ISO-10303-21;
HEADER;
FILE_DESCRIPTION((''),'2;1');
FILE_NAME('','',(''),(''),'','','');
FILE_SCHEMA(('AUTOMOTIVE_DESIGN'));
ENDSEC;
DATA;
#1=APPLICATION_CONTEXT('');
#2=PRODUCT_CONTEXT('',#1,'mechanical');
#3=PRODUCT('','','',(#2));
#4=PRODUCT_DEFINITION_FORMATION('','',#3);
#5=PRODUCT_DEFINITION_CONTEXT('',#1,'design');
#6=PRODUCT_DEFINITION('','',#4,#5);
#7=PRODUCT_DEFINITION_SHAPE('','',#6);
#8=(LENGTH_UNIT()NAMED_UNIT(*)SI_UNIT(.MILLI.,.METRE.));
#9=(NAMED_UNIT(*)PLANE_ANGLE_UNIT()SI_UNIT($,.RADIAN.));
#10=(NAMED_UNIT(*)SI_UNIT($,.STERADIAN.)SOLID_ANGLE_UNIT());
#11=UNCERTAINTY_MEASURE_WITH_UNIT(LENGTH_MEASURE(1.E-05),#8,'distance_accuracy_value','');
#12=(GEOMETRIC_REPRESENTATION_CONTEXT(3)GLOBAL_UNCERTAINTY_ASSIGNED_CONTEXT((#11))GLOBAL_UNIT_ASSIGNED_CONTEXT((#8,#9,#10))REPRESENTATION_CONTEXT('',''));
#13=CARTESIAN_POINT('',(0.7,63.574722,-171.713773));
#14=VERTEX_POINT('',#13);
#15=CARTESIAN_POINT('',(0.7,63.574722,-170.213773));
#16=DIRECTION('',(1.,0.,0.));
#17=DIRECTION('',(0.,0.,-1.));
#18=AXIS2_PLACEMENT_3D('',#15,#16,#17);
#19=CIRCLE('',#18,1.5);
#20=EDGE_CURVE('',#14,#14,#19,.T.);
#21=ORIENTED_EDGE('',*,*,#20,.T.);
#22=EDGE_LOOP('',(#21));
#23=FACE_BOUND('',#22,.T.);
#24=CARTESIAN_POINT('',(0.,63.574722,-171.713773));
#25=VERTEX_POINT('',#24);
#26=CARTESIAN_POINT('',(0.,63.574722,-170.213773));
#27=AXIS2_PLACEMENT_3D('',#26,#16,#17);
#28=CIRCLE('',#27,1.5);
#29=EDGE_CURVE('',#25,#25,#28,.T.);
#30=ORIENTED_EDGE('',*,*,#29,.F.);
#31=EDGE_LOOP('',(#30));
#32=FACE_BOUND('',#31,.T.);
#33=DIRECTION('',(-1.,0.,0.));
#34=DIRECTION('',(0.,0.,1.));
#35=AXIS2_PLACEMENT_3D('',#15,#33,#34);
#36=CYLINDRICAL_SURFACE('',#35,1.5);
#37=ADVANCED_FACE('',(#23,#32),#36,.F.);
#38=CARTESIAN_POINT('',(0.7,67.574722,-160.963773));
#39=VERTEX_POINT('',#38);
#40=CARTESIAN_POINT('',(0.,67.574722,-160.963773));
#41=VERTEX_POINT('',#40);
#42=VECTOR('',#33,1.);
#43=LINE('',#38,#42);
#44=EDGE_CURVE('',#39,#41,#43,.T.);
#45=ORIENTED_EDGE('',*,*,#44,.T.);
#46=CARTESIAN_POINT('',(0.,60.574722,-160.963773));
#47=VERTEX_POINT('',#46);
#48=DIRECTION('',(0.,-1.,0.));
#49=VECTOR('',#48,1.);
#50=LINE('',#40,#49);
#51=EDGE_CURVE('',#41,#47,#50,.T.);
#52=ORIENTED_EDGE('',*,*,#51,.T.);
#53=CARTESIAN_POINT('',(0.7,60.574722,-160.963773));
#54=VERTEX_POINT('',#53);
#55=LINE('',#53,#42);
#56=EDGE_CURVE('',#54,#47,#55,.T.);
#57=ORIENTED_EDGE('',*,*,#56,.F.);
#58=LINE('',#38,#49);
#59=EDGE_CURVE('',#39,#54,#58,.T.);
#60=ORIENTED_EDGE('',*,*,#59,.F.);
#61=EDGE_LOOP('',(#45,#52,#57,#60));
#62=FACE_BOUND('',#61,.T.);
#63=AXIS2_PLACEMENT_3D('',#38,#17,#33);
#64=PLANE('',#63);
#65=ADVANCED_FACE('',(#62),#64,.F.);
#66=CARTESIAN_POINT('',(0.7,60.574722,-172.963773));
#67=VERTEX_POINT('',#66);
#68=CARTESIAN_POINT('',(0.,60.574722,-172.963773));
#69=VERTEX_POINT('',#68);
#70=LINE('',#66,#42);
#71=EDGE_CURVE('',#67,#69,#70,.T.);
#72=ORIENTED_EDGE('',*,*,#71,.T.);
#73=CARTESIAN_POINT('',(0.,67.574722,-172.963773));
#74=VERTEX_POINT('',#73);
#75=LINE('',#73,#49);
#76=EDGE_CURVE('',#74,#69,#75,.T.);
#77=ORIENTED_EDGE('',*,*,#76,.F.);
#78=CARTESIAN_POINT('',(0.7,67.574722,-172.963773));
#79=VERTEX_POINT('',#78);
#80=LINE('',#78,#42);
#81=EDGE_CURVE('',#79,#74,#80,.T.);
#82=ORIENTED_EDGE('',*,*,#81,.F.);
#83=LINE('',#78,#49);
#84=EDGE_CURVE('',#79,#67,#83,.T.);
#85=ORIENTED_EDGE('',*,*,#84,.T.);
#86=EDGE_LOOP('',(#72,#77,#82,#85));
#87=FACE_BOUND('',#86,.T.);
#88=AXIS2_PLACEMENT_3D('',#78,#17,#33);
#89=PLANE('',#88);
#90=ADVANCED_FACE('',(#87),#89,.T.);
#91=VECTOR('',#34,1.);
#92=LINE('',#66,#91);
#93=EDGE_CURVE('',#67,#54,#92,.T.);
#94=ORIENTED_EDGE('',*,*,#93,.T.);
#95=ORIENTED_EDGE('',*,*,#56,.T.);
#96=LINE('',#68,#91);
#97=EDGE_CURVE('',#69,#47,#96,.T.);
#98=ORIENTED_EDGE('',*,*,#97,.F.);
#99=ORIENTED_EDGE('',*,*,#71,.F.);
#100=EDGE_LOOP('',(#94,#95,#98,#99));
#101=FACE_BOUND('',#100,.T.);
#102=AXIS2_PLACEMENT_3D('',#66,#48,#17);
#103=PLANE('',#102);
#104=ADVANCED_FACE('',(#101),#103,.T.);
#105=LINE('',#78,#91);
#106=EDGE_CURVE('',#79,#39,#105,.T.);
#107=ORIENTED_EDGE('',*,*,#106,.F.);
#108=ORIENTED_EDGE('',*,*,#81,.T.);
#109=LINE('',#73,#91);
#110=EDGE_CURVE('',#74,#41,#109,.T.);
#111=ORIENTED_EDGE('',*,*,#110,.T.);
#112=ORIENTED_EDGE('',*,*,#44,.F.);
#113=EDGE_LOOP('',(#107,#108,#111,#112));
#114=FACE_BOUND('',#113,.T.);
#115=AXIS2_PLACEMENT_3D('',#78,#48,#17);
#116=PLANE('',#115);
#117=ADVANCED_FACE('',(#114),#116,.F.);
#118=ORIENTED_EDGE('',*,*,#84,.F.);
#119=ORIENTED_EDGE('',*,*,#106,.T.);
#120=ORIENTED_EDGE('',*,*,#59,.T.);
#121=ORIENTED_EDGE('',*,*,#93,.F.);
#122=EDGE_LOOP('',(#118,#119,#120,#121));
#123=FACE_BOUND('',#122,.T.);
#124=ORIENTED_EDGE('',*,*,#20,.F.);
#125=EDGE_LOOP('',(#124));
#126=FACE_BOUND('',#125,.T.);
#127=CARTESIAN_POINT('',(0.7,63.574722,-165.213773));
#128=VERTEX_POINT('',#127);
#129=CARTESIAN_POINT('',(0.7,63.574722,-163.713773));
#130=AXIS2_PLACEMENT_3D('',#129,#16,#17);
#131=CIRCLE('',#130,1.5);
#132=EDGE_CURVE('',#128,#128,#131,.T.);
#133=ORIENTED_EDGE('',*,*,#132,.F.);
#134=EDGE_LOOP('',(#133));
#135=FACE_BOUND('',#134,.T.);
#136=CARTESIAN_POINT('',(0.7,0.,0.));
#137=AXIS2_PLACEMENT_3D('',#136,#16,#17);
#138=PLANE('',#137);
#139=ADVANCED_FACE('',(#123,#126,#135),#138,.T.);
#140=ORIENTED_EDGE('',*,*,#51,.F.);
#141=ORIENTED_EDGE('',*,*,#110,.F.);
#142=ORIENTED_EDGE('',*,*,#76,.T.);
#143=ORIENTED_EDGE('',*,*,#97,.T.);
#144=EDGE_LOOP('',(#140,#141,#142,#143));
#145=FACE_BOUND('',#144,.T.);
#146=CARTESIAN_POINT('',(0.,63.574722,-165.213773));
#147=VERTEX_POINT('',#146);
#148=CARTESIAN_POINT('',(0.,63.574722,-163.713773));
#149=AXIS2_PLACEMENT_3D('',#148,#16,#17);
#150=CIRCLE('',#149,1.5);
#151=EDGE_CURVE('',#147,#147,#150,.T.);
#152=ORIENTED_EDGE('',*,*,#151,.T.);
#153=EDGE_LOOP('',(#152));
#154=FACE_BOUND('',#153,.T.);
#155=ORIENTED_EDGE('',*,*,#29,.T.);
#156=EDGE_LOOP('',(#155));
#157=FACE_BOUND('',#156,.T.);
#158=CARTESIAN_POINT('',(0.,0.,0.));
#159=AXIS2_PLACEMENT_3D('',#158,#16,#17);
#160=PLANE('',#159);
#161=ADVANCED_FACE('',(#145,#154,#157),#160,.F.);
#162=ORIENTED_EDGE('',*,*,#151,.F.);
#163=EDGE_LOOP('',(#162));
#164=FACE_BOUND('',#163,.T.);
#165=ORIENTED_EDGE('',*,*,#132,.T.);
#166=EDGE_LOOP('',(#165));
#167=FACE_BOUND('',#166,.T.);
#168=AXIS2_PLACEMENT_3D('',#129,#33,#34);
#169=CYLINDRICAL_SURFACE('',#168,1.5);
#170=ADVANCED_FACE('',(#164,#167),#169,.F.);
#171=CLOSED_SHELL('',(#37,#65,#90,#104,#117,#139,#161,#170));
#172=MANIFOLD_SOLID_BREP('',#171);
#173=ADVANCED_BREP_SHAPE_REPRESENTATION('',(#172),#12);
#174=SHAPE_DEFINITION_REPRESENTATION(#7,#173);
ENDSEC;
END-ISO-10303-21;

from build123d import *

# Parameters (mm, degrees)
SKETCH_1_W      = 12
SKETCH_1_H      = 7
SKETCH_1_R      = 1.5
EXTRUDE_1_DEPTH = 0.7


with BuildPart() as part:
    # 草图1 → 凸台-拉伸1 (new body)
    with BuildSketch(Plane(origin=(0, 0, 0), x_dir=(0, 0, -1), z_dir=(1, 0, 0))):
        with Locations((166.963773135, 64.074722086)):
            Rectangle(SKETCH_1_W, SKETCH_1_H)
        with Locations((170.213773135, 63.574722086)):
            Circle(SKETCH_1_R, mode=Mode.SUBTRACT)
        with Locations((163.713773135, 63.574722086)):
            Circle(SKETCH_1_R, mode=Mode.SUBTRACT)
    extrude(amount=EXTRUDE_1_DEPTH)


solid = part.part
